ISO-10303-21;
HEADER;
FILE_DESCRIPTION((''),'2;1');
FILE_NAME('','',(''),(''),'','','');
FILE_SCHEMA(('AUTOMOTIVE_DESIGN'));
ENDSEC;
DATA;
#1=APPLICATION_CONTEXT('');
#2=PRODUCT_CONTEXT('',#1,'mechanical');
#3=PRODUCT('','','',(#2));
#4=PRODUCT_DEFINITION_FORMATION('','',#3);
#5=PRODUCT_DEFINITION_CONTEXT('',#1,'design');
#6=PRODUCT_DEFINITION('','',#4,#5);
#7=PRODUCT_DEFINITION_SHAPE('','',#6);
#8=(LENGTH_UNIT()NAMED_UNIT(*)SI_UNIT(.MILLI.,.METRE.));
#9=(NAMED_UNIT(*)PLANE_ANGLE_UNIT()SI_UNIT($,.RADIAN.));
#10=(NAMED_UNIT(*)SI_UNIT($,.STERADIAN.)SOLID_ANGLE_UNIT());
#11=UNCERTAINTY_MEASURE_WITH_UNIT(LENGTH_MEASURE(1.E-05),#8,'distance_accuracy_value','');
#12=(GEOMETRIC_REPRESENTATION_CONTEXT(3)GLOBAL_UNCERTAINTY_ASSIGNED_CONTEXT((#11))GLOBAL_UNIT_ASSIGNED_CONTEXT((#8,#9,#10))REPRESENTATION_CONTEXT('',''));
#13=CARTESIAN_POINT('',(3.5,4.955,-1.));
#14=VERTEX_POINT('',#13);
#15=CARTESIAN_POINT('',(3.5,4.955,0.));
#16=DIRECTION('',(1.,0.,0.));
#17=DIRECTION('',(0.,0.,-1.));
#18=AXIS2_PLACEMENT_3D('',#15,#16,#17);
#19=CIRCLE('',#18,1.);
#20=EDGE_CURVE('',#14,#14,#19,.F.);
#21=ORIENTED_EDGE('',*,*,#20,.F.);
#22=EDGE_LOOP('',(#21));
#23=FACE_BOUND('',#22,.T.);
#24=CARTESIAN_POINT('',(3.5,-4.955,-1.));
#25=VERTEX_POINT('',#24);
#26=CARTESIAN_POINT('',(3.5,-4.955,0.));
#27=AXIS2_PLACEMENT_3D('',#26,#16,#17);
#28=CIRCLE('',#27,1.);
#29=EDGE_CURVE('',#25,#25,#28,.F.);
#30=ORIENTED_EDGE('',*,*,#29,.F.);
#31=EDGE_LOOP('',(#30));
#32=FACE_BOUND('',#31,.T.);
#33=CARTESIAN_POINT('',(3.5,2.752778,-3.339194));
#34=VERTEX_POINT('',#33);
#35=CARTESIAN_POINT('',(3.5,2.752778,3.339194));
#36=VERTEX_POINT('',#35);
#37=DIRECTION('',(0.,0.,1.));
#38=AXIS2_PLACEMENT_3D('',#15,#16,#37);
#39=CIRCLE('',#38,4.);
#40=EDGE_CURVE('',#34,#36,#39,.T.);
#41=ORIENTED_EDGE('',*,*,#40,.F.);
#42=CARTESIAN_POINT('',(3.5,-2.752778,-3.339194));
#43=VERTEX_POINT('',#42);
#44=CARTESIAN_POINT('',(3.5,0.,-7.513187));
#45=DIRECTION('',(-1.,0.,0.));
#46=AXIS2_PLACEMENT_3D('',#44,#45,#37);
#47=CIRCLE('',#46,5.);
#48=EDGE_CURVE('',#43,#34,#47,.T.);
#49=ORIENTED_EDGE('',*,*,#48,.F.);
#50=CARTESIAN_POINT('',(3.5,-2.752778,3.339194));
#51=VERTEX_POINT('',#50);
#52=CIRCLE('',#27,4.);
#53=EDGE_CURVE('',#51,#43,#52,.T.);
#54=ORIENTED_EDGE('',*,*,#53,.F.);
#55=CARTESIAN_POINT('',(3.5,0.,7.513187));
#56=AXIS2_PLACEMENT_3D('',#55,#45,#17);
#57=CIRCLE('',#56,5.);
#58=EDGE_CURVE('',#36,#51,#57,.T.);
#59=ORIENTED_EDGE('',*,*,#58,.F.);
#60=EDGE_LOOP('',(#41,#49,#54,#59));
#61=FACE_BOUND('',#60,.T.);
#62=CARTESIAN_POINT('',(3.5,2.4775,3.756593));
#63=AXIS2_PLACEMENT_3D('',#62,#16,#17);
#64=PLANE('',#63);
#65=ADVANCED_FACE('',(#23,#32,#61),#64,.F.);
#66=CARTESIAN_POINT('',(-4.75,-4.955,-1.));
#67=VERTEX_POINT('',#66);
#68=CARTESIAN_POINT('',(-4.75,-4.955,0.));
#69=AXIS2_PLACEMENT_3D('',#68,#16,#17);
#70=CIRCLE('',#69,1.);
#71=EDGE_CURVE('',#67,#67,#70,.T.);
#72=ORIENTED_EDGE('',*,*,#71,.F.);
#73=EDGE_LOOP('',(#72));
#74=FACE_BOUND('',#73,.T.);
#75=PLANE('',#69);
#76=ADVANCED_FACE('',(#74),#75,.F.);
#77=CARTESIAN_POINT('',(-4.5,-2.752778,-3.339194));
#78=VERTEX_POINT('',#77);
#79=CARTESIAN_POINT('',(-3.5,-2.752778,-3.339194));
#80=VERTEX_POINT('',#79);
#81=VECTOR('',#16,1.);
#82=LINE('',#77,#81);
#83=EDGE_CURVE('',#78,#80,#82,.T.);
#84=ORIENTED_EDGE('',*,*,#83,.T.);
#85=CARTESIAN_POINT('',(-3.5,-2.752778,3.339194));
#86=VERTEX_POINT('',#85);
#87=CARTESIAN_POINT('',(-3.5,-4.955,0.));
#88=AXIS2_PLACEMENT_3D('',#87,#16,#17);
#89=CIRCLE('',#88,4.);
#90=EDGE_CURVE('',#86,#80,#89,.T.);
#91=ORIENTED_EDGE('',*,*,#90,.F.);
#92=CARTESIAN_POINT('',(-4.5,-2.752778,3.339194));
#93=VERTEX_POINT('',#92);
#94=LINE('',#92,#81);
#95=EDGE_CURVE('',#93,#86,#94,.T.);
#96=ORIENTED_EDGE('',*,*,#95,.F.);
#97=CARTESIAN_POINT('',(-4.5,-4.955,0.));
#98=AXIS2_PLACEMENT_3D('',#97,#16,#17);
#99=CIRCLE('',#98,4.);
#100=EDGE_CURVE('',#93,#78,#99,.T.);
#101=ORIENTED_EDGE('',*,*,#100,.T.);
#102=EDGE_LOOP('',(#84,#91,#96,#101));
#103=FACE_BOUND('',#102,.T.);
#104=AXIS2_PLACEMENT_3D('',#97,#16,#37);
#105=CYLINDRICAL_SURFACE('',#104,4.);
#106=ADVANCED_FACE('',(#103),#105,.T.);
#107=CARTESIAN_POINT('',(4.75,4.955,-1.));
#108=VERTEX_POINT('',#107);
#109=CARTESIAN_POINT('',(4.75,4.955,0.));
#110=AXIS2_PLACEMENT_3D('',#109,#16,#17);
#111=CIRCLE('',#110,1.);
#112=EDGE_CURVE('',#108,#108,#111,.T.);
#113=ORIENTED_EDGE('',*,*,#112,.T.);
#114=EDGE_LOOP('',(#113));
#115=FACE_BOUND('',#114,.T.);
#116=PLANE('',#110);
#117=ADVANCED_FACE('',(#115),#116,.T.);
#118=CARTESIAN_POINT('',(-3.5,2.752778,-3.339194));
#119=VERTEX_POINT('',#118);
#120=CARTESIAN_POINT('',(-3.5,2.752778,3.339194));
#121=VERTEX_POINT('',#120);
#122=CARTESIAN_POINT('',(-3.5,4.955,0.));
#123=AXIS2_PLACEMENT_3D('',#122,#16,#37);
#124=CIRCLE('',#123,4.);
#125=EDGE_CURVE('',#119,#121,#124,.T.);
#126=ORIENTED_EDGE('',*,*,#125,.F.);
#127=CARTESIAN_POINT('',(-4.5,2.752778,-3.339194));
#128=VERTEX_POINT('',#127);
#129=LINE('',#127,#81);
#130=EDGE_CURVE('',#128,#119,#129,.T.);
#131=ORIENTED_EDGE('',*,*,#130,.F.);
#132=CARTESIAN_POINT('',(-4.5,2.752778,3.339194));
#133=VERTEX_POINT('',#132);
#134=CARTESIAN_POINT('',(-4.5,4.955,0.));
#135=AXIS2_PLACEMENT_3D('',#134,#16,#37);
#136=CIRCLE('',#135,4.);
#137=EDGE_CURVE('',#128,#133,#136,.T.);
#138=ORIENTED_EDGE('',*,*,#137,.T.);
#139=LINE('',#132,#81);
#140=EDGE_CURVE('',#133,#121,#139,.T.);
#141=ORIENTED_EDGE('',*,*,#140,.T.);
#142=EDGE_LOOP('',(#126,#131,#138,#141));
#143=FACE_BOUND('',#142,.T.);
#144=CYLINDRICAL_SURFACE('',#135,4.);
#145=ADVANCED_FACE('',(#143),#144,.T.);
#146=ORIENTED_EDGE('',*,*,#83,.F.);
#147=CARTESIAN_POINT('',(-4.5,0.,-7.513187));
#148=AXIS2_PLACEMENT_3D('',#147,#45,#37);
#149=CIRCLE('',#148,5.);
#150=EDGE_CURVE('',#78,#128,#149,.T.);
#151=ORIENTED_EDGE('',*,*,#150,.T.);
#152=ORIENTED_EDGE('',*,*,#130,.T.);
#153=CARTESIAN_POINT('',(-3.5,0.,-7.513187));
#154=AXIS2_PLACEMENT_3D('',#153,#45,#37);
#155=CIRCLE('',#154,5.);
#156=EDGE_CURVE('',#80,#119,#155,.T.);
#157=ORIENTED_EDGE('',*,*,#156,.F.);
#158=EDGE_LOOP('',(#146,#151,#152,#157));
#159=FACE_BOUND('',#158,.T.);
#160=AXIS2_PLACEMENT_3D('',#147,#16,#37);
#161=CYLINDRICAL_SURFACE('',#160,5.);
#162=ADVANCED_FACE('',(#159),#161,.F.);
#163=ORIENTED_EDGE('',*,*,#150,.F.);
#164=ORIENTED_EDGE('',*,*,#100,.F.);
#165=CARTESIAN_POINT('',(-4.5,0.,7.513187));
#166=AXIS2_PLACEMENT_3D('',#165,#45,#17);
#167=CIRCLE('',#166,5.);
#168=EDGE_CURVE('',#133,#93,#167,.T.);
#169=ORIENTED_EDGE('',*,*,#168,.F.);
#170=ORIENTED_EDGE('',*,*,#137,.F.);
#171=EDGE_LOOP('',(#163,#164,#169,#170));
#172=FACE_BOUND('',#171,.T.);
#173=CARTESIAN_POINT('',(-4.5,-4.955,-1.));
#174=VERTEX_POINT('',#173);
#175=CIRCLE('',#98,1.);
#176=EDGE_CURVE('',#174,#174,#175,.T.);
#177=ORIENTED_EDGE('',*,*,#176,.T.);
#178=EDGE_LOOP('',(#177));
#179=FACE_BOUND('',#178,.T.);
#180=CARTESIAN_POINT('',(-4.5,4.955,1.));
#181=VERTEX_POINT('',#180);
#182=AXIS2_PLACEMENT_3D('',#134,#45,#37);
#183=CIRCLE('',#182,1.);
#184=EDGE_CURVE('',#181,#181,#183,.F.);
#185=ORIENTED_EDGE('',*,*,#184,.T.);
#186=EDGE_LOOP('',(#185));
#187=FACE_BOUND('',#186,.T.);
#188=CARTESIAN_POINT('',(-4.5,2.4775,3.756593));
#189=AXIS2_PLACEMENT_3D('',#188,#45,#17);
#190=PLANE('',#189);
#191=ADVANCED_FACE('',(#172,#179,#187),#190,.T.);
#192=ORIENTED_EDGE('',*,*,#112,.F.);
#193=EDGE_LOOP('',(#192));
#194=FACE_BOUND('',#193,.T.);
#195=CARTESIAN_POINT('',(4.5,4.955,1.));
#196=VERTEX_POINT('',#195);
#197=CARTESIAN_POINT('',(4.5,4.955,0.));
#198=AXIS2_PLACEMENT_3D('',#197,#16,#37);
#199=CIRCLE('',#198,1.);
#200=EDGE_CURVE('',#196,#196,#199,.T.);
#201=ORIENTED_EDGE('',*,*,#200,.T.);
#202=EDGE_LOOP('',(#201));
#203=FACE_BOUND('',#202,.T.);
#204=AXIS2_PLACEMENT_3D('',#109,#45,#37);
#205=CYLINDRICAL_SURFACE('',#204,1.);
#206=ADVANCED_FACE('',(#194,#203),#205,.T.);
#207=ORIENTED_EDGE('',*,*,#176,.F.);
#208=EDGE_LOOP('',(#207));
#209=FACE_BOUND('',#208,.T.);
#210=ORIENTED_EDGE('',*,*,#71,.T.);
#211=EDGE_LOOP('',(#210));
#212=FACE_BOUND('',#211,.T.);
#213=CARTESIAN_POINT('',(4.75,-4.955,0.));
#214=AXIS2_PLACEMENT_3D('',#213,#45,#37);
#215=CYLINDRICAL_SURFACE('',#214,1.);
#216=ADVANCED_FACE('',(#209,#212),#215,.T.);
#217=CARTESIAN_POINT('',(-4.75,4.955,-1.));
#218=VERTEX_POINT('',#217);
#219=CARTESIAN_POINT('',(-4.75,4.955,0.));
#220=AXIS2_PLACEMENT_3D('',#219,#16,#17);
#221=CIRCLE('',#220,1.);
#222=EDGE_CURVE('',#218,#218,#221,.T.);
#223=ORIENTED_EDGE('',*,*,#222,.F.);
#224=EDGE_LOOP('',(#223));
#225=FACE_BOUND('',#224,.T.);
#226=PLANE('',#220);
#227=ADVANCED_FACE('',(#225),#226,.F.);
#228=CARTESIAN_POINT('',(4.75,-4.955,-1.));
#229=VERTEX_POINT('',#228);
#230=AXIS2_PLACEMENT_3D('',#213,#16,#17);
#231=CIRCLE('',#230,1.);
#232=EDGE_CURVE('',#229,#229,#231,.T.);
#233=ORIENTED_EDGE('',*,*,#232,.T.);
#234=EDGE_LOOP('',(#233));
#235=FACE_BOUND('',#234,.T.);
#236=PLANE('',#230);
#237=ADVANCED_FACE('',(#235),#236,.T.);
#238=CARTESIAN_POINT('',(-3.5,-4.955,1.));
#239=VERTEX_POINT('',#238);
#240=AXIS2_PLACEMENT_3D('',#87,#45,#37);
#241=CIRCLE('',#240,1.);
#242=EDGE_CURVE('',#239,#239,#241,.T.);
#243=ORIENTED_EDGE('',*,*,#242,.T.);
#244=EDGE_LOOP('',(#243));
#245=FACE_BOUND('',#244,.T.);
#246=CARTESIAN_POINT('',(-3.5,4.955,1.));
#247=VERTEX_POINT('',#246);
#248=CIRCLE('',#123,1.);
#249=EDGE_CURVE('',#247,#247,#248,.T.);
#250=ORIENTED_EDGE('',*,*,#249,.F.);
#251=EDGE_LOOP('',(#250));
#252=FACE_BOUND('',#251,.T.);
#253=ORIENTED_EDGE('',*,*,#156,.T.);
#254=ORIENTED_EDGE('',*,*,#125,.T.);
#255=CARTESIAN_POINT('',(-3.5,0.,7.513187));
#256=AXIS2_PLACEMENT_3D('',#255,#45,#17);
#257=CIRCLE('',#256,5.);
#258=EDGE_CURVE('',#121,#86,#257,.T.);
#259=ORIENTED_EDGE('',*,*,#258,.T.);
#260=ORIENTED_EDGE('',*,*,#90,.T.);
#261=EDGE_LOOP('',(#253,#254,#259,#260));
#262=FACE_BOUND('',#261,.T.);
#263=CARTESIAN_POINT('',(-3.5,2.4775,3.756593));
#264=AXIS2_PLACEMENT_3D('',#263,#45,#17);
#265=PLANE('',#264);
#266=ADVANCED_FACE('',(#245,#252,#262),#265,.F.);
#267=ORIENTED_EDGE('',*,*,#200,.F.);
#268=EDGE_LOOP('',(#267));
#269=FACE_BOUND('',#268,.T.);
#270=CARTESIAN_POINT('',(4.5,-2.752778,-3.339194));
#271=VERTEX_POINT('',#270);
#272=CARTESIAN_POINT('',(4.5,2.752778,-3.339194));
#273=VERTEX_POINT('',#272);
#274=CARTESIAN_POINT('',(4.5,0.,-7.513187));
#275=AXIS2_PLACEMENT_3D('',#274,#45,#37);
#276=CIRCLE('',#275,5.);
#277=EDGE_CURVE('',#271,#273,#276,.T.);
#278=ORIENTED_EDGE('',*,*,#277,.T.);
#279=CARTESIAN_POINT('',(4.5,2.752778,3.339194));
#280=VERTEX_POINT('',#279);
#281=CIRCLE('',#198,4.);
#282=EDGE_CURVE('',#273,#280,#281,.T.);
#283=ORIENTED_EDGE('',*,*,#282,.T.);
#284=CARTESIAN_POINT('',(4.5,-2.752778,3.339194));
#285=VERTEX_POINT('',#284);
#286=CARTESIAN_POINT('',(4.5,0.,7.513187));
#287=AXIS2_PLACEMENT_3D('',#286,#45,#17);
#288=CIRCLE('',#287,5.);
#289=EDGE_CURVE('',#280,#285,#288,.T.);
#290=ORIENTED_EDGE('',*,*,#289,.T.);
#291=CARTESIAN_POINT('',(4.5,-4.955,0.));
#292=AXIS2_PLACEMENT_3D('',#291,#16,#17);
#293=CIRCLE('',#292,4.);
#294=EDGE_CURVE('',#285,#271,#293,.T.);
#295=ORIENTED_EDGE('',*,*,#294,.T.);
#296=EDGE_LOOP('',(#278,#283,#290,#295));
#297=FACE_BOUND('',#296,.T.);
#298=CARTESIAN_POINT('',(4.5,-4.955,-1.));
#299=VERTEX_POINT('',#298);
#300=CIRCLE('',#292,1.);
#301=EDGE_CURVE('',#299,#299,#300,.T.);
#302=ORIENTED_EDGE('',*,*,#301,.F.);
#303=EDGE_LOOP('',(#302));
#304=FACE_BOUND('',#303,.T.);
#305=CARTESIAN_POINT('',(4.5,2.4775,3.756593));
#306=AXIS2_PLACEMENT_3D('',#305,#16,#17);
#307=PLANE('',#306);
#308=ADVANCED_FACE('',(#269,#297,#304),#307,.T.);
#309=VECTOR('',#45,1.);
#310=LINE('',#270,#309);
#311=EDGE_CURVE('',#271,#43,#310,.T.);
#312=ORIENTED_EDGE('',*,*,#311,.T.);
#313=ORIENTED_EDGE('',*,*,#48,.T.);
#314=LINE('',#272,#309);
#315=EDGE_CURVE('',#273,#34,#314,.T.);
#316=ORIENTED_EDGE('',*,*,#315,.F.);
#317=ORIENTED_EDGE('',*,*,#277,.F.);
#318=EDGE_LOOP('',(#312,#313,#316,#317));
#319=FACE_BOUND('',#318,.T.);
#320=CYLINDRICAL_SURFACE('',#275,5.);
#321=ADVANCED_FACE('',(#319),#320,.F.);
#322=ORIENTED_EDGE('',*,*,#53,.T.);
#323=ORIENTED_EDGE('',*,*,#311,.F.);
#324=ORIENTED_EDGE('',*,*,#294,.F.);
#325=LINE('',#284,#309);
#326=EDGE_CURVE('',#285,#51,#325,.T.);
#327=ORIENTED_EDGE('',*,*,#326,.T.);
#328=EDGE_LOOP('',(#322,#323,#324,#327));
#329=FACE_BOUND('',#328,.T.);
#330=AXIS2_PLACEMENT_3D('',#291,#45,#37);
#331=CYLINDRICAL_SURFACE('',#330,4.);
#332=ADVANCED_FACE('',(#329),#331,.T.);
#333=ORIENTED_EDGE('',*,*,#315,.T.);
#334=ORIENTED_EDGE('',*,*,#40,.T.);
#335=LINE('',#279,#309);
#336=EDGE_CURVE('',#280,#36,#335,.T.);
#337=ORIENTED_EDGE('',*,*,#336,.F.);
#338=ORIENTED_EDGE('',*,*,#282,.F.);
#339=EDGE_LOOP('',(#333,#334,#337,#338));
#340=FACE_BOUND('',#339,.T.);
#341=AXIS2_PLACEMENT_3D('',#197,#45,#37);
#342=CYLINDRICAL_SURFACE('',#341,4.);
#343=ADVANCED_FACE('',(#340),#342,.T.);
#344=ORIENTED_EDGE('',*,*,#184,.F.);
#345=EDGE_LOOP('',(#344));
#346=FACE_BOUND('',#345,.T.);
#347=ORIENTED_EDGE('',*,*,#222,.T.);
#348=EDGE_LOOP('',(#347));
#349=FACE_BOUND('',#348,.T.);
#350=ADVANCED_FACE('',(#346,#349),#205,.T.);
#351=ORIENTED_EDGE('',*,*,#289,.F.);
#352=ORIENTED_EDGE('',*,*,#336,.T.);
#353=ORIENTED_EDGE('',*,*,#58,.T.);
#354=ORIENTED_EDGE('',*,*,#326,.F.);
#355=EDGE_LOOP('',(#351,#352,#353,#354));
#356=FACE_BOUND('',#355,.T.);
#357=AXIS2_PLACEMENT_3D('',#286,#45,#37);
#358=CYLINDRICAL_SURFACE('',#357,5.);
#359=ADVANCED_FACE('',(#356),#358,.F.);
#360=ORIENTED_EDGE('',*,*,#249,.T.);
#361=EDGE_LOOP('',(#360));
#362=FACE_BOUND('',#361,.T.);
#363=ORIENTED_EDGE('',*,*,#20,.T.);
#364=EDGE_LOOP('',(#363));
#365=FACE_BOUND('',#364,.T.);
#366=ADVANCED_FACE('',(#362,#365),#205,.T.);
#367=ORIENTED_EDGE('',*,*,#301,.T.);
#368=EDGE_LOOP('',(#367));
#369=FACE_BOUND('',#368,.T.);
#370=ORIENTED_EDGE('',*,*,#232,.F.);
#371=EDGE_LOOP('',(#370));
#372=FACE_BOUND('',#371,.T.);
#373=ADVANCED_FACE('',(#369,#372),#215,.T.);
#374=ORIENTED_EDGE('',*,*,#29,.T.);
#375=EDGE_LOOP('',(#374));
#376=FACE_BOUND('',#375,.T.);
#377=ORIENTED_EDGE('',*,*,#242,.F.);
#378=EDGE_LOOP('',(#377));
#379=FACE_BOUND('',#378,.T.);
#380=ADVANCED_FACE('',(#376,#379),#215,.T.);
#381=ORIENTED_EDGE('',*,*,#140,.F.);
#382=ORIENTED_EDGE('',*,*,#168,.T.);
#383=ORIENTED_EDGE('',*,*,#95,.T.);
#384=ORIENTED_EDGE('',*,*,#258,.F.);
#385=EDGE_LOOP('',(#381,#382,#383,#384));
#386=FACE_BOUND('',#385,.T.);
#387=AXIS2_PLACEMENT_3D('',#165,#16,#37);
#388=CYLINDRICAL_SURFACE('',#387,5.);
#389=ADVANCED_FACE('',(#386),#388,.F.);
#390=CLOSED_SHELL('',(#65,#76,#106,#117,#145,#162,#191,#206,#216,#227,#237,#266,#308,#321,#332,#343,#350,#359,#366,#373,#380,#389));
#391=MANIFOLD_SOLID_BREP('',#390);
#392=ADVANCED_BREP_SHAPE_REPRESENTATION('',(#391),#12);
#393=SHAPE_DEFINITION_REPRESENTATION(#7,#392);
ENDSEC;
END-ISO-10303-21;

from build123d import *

# Parameters (mm, degrees)
BOSS_EXTRUDE1_START = 3.5
SKETCH1_R           = 1
BOSS_EXTRUDE1_DEPTH = 1
SKETCH2_R           = 1
BOSS_EXTRUDE2_DEPTH = 4.75


with BuildPart() as part:
    # Sketch1 → Boss-Extrude1 (new body)
    with BuildSketch(Plane.YZ.offset(BOSS_EXTRUDE1_START)):
        with BuildLine():
            ThreePointArc((-2.752777778, 3.339194107), (-8.955, 0), (-2.752777778, -3.339194107))
            ThreePointArc((-2.752777778, -3.339194107), (0, -2.513186741), (2.752777778, -3.339194107))
            ThreePointArc((2.752777778, -3.339194107), (8.955, 0), (2.752777778, 3.339194107))
            ThreePointArc((2.752777778, 3.339194107), (0, 2.513186741), (-2.752777778, 3.339194107))
        make_face()
        with Locations(Location((-4.955, 0, 0), (0, 0, 270))):
            Circle(SKETCH1_R, mode=Mode.SUBTRACT)
        with Locations(Location((4.955, 0, 0), (0, 0, 90))):
            Circle(SKETCH1_R, mode=Mode.SUBTRACT)
    extrude(amount=BOSS_EXTRUDE1_DEPTH)


with BuildPart() as body_2:
    # Mirror2: mirrored copy
    add(part.part.mirror(Plane(origin=(0, 0, 0), x_dir=(0, 0, 1), z_dir=(1, 0, 0))))


with BuildPart() as part_1:
    add(part.part)

    add(body_2.part)  # Boss-Extrude2 merges body 2
    # Sketch2 → Boss-Extrude2 (add, symmetric)
    with BuildSketch(Plane.YZ):
        with Locations(Location((-4.955, 0, 0), (0, 0, 90))):
            Circle(SKETCH2_R)
        with Locations(Location((4.955, 0, 0), (0, 0, 90))):
            Circle(SKETCH2_R)
    extrude(amount=BOSS_EXTRUDE2_DEPTH, both=True)


solid = part_1.part
